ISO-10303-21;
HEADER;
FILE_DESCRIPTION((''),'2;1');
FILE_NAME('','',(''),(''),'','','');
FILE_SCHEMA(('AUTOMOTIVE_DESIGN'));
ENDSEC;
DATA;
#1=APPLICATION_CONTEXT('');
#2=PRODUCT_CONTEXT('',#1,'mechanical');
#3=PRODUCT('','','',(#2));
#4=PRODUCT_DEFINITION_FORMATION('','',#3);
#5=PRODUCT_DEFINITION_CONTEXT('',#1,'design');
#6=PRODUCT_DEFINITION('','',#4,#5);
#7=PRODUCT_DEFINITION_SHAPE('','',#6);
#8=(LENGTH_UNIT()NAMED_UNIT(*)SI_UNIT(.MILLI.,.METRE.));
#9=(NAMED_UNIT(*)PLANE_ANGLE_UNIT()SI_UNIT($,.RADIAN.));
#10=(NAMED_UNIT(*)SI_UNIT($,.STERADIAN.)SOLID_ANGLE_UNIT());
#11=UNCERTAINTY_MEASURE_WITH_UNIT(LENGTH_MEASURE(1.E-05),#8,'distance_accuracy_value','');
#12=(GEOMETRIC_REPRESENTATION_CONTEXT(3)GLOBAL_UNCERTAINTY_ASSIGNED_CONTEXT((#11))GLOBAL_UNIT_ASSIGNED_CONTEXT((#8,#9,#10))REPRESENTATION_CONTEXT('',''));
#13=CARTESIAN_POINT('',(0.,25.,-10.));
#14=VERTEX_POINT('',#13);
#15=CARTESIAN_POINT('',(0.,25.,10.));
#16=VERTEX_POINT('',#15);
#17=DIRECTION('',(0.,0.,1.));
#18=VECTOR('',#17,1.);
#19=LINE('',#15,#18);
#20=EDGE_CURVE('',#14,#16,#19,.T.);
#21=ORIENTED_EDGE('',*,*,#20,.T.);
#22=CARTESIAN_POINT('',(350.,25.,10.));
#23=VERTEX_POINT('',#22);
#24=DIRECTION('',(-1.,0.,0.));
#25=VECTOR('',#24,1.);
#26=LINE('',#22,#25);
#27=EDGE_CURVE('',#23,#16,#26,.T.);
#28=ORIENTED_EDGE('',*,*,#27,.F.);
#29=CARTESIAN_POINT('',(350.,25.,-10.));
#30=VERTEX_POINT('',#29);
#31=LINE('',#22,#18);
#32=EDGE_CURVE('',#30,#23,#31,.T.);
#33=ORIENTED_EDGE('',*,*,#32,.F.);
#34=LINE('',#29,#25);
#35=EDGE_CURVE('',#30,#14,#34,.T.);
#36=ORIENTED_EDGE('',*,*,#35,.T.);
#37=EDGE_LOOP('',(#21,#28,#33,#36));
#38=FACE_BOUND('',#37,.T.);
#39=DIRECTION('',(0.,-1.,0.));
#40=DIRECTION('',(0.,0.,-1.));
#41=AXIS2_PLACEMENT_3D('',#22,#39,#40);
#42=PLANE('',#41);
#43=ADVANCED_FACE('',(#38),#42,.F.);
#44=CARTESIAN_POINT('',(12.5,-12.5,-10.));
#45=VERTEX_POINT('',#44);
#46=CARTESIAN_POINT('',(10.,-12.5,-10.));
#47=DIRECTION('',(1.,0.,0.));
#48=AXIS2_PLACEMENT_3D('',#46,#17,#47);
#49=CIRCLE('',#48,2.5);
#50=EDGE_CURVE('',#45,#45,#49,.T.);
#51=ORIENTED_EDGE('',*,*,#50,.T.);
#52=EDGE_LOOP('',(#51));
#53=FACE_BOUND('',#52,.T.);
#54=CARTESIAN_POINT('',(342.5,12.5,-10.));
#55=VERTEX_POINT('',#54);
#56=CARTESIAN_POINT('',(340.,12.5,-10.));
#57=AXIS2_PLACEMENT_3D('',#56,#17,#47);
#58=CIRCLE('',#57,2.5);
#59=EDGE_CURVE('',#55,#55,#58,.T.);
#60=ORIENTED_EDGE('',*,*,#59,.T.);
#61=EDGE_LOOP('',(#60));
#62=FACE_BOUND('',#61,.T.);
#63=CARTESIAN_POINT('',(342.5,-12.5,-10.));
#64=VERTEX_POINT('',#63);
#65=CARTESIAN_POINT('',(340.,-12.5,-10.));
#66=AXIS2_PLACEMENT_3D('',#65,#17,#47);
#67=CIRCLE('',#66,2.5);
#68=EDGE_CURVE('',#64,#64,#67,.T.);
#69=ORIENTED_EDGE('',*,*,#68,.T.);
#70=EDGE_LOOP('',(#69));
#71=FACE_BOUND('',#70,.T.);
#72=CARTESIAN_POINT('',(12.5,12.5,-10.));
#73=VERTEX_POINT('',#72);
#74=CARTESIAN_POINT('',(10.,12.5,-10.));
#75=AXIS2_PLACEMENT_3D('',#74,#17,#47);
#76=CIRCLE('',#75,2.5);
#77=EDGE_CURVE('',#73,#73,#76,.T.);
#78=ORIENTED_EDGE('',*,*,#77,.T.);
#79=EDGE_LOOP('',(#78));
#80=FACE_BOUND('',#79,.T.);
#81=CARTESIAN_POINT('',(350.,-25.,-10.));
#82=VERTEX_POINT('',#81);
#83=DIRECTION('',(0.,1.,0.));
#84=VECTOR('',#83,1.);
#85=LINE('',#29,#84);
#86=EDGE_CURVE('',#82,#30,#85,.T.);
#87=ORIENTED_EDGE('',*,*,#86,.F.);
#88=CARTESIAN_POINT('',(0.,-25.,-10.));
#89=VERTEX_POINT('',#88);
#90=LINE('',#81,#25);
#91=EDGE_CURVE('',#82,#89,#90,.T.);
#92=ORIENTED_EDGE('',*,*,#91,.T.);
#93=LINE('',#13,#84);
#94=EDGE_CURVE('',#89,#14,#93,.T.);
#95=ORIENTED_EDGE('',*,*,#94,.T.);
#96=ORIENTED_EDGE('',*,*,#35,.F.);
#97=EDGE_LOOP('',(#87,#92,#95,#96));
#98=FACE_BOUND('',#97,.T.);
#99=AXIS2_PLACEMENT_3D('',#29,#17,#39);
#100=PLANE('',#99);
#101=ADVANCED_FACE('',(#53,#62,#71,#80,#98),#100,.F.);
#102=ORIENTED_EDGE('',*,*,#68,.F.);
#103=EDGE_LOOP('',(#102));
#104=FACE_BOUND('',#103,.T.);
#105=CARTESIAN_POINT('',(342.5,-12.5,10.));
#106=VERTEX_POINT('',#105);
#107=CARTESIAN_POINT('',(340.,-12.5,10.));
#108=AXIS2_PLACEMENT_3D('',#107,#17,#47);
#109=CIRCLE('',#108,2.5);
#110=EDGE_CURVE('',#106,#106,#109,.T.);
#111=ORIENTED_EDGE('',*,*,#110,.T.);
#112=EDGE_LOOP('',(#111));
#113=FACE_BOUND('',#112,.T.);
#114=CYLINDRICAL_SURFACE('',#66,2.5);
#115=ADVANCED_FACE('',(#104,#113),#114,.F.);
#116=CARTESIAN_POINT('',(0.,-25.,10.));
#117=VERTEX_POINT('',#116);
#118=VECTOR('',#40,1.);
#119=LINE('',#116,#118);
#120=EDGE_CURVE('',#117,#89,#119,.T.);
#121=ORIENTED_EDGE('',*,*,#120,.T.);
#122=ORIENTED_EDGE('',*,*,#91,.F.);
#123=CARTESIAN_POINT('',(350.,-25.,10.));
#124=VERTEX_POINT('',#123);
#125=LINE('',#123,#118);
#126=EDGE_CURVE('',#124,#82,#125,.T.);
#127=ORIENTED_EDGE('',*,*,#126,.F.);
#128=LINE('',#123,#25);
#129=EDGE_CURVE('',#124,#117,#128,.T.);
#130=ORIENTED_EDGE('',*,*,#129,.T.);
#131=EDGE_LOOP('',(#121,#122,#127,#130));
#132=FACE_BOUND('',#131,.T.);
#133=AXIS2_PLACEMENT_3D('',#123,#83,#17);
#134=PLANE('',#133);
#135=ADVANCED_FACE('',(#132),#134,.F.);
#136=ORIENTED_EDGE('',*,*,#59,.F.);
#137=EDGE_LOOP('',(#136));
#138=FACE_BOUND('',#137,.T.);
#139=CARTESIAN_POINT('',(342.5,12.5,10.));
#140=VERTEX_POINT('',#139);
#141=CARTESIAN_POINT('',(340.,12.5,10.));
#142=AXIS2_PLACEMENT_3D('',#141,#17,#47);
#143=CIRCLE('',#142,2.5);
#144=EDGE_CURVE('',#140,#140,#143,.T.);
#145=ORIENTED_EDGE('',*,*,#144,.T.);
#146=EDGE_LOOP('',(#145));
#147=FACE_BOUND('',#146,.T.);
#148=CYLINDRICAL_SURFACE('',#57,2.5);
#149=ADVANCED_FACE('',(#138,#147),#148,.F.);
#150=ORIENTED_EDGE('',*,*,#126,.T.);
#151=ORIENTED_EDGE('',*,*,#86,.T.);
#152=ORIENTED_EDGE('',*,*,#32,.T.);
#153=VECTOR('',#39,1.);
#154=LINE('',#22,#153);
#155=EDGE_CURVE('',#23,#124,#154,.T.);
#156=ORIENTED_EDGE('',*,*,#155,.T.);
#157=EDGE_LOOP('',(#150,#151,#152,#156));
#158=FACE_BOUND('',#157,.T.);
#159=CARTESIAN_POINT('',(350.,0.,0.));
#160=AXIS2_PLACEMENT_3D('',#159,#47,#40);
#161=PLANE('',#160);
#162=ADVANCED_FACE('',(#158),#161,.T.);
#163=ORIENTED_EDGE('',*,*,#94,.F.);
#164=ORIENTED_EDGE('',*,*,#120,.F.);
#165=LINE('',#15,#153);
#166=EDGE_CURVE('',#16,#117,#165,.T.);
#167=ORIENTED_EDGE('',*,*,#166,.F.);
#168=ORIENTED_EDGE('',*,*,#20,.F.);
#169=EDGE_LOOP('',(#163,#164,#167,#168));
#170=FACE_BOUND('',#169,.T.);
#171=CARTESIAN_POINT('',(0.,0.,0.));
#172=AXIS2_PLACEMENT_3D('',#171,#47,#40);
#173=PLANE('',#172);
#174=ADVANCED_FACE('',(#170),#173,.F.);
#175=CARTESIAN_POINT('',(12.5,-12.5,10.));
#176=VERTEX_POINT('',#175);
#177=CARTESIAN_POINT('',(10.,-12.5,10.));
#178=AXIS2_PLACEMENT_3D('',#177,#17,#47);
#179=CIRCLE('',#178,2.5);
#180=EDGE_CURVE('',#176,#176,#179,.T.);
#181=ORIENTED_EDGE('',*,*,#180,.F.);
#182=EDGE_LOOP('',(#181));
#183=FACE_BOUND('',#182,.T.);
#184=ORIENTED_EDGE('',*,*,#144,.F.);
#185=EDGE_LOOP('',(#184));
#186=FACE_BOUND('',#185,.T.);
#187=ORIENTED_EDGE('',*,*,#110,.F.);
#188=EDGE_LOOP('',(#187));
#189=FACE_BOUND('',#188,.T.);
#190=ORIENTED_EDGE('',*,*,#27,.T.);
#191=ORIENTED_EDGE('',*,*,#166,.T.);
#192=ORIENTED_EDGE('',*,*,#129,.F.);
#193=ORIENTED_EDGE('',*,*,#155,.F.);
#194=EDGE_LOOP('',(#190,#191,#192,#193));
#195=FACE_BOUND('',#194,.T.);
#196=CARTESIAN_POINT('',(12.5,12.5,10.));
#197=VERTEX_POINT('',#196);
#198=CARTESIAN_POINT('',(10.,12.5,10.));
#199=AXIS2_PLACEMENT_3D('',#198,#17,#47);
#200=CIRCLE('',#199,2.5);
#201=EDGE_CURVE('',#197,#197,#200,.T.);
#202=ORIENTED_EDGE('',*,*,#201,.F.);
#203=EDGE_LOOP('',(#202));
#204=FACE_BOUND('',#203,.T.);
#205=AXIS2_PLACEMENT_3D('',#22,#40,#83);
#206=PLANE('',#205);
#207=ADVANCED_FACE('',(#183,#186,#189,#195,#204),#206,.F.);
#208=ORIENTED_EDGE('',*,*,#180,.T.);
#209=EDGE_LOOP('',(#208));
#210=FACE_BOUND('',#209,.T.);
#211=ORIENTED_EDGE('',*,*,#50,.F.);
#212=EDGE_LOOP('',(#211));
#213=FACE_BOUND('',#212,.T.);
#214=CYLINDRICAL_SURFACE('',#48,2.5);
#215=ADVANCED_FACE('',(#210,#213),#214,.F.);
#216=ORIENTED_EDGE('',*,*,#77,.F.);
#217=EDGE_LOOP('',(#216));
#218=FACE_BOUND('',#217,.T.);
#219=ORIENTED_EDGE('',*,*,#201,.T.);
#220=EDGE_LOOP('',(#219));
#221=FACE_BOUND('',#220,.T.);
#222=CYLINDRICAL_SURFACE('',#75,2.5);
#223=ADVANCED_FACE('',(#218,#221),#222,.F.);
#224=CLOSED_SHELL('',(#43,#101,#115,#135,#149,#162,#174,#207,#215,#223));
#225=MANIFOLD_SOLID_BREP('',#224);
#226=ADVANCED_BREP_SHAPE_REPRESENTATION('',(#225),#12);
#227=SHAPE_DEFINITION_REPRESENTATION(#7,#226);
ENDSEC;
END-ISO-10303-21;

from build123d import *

# Parameters (mm, degrees)
SKIZZE1_W                       = 20
SKIZZE1_H                       = 50
AUFSATZ_LINEAR_AUSTRAGEN1_DEPTH = 350
SKIZZE2_R                       = 2.5
SCHNITT_LINEAR_AUSTRAGEN1_DEPTH = 352.461235416


with BuildPart() as part:
    # Skizze1 → Aufsatz-Linear austragen1 (new body)
    with BuildSketch(Plane(origin=(0, 0, 0), x_dir=(0, 0, -1), z_dir=(1, 0, 0))):
        Rectangle(SKIZZE1_W, SKIZZE1_H)
    extrude(amount=AUFSATZ_LINEAR_AUSTRAGEN1_DEPTH)

    # Skizze2 → Schnitt-Linear austragen1 (cut, through all)
    with BuildSketch(Plane.XY.offset(10)):
        with Locations((10, -12.5)):
            Circle(SKIZZE2_R)
        with Locations((10, 12.5)):
            Circle(SKIZZE2_R)
        with Locations((340, -12.5)):
            Circle(SKIZZE2_R)
        with Locations((340, 12.5)):
            Circle(SKIZZE2_R)
    extrude(amount=-SCHNITT_LINEAR_AUSTRAGEN1_DEPTH, mode=Mode.SUBTRACT)


solid = part.part
